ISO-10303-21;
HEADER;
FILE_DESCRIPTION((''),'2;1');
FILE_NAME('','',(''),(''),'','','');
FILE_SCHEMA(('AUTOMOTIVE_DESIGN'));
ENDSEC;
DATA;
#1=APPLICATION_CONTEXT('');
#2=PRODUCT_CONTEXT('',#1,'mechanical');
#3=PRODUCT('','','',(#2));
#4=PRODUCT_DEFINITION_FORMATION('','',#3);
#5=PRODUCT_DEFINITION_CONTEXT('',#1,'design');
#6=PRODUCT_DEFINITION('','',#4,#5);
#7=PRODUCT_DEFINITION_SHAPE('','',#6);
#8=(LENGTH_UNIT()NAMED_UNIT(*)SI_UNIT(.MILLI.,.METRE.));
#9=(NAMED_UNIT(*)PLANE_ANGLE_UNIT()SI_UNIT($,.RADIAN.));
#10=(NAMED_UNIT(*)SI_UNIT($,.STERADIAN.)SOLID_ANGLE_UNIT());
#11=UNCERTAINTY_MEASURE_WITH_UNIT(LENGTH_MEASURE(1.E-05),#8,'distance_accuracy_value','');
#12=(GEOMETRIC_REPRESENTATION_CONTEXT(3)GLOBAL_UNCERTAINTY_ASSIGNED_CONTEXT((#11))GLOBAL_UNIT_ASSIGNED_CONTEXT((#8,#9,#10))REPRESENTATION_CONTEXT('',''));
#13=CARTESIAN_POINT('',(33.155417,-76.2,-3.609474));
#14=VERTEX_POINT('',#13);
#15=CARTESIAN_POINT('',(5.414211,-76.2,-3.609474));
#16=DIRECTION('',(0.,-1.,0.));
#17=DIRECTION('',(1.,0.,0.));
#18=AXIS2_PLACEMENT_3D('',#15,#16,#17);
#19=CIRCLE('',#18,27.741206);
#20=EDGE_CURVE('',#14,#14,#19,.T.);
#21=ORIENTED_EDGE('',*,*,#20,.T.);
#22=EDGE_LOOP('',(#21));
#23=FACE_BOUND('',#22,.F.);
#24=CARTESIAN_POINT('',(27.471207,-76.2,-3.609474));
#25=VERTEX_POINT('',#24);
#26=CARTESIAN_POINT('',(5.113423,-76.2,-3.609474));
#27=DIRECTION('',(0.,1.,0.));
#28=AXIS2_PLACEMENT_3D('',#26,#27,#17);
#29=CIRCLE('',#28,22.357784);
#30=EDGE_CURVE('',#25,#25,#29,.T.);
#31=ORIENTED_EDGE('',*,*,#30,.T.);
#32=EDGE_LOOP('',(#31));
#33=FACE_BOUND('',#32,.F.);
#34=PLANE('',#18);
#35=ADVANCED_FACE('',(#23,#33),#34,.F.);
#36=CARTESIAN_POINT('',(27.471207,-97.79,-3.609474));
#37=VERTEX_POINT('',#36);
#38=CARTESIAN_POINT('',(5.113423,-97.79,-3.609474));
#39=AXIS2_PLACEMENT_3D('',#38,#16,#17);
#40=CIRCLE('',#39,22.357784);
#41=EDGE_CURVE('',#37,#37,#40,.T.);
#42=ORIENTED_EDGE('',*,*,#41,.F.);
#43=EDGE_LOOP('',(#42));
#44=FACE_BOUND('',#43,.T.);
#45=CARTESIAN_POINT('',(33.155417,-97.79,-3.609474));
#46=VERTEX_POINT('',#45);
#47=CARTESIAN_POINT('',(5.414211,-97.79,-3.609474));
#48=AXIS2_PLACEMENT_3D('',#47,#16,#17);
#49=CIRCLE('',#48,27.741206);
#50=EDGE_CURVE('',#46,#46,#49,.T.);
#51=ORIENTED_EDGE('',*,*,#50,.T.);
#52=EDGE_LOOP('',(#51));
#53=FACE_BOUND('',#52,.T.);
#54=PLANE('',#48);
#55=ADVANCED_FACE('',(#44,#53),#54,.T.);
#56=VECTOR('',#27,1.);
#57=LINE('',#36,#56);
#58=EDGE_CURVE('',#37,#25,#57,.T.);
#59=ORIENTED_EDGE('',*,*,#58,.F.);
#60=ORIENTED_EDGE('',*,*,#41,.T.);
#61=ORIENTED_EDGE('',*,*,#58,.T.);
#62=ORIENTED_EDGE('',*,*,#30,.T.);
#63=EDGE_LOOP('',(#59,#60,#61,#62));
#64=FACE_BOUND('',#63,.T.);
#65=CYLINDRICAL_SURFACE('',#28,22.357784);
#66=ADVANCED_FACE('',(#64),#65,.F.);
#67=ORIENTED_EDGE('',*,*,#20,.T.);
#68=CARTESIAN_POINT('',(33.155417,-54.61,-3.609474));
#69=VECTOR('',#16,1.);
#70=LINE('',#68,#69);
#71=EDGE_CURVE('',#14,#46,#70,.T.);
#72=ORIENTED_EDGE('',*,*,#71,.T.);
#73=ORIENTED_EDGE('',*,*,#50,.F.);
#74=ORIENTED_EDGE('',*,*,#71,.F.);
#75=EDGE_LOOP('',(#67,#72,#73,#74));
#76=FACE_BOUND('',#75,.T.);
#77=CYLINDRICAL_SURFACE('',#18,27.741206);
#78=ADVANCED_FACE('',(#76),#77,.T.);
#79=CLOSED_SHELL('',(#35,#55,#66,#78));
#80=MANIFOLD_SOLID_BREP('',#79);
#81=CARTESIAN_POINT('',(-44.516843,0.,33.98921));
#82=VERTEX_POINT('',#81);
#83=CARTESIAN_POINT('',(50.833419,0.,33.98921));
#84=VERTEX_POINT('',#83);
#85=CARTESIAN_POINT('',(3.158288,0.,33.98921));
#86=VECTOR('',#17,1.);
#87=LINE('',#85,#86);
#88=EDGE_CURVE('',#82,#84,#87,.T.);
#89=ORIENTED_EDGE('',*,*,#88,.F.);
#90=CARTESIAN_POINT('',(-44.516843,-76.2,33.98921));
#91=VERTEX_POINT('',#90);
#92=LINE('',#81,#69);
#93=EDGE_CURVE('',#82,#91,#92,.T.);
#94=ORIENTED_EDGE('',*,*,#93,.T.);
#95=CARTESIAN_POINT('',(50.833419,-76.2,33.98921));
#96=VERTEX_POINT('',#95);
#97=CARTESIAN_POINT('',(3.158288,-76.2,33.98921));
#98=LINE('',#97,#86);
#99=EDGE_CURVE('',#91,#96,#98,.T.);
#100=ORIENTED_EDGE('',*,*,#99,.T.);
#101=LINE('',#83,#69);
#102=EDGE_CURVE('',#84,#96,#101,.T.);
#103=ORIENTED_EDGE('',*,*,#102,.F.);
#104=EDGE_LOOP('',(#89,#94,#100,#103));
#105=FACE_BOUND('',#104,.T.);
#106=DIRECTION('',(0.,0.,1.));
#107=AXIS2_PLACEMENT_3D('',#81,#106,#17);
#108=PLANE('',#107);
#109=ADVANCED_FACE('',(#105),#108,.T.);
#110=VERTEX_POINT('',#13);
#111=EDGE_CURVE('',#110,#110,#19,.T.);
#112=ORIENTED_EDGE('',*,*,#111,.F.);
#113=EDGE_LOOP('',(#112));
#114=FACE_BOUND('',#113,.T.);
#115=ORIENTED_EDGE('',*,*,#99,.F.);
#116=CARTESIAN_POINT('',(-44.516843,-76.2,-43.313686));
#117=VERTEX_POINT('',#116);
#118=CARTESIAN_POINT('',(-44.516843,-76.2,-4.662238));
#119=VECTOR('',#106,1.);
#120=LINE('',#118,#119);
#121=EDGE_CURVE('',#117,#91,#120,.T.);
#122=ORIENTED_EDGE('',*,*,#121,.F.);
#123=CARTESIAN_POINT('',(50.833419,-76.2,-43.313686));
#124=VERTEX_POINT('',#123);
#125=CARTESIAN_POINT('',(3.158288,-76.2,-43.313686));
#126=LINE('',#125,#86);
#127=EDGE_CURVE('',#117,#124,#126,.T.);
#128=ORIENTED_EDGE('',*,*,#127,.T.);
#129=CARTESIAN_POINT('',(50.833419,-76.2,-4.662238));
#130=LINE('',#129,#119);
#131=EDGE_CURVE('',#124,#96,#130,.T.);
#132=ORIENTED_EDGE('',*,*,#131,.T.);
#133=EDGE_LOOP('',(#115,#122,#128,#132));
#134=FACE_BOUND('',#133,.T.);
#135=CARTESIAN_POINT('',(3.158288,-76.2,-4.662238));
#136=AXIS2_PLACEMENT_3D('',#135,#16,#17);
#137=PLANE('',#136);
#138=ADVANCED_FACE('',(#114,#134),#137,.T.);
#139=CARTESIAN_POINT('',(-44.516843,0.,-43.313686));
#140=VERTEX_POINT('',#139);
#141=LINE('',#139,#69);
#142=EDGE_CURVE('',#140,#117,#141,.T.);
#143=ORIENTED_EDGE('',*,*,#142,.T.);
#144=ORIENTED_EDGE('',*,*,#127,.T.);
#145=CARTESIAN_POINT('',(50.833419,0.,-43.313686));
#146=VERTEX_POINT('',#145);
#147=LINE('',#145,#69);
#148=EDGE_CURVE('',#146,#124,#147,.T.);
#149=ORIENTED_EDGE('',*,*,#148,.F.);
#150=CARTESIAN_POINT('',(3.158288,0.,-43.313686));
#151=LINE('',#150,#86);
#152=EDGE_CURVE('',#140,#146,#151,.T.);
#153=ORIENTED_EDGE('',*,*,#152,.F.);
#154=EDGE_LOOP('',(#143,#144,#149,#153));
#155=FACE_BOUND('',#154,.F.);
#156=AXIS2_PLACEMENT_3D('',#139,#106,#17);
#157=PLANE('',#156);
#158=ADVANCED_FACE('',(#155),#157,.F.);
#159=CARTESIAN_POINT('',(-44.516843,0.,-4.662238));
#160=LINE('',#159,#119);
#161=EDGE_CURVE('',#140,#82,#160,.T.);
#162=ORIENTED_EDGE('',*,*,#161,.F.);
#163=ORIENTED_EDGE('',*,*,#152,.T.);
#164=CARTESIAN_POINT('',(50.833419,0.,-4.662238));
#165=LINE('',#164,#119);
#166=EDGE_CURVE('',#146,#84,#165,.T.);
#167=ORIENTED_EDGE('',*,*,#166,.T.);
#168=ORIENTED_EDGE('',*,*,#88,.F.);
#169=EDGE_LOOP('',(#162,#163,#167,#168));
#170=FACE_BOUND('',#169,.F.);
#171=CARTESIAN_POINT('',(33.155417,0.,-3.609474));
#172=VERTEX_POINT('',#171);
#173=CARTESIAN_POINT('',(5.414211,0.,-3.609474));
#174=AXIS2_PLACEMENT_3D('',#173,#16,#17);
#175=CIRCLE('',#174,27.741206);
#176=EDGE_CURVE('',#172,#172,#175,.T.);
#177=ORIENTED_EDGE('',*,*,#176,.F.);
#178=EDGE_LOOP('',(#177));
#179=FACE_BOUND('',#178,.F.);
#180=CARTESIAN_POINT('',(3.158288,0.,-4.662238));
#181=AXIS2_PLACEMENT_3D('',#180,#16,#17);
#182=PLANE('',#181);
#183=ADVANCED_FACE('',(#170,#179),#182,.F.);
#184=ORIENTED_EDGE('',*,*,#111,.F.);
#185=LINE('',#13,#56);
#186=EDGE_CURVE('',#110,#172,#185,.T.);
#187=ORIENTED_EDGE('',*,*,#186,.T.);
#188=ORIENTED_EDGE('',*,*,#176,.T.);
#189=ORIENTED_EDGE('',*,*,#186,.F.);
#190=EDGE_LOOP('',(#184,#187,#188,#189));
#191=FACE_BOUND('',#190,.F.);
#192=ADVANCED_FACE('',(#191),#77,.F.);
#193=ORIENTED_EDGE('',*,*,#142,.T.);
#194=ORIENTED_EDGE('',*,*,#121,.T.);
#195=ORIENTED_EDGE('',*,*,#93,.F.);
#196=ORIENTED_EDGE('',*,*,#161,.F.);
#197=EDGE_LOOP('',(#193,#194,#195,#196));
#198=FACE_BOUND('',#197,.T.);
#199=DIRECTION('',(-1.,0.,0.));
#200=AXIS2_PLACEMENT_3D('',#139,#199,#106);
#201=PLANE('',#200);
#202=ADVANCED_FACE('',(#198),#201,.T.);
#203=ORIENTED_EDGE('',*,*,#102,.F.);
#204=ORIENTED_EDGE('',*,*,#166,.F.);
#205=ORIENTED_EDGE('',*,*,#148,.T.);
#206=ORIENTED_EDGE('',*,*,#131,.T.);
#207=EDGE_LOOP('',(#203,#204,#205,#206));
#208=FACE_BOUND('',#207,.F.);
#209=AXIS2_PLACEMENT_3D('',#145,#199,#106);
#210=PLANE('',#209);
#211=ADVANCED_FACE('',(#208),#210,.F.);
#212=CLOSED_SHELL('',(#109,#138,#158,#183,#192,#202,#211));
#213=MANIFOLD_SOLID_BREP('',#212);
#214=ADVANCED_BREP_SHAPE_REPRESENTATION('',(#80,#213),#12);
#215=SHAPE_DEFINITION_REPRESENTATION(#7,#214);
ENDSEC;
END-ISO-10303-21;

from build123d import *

# Parameters (mm, degrees)
F0_W     = 95.350262
F0_H     = 77.302896
F1_DEPTH = 76.2
F3_R     = 27.741206
F3_R_2   = 22.357784
F4_DEPTH = 21.59
F2_R     = 27.741206
F5_DEPTH = 76.201


with BuildPart() as f1:
    # F0 (on Front) → F1 (new body)
    with BuildSketch(Plane.XZ):
        with Locations((3.158288, -4.662238)):
            Rectangle(F0_W, F0_H)
    extrude(amount=F1_DEPTH)

    # F3 (on face) → F4 (join, symmetric)
    with BuildSketch(Plane.XZ.offset(76.2)):
        with Locations((5.414211, -3.609474)):
            Circle(F3_R)
        with Locations((5.113423, -3.609474)):
            Circle(F3_R_2, mode=Mode.SUBTRACT)
    extrude(amount=F4_DEPTH, both=True)

    # F2 (on face) → F5 (cut, through all)
    with BuildSketch(Plane.XZ.offset(76.2)):
        with Locations((5.414211, -3.609474)):
            Circle(F2_R)
    extrude(amount=-F5_DEPTH, mode=Mode.SUBTRACT)


solid = f1.part
